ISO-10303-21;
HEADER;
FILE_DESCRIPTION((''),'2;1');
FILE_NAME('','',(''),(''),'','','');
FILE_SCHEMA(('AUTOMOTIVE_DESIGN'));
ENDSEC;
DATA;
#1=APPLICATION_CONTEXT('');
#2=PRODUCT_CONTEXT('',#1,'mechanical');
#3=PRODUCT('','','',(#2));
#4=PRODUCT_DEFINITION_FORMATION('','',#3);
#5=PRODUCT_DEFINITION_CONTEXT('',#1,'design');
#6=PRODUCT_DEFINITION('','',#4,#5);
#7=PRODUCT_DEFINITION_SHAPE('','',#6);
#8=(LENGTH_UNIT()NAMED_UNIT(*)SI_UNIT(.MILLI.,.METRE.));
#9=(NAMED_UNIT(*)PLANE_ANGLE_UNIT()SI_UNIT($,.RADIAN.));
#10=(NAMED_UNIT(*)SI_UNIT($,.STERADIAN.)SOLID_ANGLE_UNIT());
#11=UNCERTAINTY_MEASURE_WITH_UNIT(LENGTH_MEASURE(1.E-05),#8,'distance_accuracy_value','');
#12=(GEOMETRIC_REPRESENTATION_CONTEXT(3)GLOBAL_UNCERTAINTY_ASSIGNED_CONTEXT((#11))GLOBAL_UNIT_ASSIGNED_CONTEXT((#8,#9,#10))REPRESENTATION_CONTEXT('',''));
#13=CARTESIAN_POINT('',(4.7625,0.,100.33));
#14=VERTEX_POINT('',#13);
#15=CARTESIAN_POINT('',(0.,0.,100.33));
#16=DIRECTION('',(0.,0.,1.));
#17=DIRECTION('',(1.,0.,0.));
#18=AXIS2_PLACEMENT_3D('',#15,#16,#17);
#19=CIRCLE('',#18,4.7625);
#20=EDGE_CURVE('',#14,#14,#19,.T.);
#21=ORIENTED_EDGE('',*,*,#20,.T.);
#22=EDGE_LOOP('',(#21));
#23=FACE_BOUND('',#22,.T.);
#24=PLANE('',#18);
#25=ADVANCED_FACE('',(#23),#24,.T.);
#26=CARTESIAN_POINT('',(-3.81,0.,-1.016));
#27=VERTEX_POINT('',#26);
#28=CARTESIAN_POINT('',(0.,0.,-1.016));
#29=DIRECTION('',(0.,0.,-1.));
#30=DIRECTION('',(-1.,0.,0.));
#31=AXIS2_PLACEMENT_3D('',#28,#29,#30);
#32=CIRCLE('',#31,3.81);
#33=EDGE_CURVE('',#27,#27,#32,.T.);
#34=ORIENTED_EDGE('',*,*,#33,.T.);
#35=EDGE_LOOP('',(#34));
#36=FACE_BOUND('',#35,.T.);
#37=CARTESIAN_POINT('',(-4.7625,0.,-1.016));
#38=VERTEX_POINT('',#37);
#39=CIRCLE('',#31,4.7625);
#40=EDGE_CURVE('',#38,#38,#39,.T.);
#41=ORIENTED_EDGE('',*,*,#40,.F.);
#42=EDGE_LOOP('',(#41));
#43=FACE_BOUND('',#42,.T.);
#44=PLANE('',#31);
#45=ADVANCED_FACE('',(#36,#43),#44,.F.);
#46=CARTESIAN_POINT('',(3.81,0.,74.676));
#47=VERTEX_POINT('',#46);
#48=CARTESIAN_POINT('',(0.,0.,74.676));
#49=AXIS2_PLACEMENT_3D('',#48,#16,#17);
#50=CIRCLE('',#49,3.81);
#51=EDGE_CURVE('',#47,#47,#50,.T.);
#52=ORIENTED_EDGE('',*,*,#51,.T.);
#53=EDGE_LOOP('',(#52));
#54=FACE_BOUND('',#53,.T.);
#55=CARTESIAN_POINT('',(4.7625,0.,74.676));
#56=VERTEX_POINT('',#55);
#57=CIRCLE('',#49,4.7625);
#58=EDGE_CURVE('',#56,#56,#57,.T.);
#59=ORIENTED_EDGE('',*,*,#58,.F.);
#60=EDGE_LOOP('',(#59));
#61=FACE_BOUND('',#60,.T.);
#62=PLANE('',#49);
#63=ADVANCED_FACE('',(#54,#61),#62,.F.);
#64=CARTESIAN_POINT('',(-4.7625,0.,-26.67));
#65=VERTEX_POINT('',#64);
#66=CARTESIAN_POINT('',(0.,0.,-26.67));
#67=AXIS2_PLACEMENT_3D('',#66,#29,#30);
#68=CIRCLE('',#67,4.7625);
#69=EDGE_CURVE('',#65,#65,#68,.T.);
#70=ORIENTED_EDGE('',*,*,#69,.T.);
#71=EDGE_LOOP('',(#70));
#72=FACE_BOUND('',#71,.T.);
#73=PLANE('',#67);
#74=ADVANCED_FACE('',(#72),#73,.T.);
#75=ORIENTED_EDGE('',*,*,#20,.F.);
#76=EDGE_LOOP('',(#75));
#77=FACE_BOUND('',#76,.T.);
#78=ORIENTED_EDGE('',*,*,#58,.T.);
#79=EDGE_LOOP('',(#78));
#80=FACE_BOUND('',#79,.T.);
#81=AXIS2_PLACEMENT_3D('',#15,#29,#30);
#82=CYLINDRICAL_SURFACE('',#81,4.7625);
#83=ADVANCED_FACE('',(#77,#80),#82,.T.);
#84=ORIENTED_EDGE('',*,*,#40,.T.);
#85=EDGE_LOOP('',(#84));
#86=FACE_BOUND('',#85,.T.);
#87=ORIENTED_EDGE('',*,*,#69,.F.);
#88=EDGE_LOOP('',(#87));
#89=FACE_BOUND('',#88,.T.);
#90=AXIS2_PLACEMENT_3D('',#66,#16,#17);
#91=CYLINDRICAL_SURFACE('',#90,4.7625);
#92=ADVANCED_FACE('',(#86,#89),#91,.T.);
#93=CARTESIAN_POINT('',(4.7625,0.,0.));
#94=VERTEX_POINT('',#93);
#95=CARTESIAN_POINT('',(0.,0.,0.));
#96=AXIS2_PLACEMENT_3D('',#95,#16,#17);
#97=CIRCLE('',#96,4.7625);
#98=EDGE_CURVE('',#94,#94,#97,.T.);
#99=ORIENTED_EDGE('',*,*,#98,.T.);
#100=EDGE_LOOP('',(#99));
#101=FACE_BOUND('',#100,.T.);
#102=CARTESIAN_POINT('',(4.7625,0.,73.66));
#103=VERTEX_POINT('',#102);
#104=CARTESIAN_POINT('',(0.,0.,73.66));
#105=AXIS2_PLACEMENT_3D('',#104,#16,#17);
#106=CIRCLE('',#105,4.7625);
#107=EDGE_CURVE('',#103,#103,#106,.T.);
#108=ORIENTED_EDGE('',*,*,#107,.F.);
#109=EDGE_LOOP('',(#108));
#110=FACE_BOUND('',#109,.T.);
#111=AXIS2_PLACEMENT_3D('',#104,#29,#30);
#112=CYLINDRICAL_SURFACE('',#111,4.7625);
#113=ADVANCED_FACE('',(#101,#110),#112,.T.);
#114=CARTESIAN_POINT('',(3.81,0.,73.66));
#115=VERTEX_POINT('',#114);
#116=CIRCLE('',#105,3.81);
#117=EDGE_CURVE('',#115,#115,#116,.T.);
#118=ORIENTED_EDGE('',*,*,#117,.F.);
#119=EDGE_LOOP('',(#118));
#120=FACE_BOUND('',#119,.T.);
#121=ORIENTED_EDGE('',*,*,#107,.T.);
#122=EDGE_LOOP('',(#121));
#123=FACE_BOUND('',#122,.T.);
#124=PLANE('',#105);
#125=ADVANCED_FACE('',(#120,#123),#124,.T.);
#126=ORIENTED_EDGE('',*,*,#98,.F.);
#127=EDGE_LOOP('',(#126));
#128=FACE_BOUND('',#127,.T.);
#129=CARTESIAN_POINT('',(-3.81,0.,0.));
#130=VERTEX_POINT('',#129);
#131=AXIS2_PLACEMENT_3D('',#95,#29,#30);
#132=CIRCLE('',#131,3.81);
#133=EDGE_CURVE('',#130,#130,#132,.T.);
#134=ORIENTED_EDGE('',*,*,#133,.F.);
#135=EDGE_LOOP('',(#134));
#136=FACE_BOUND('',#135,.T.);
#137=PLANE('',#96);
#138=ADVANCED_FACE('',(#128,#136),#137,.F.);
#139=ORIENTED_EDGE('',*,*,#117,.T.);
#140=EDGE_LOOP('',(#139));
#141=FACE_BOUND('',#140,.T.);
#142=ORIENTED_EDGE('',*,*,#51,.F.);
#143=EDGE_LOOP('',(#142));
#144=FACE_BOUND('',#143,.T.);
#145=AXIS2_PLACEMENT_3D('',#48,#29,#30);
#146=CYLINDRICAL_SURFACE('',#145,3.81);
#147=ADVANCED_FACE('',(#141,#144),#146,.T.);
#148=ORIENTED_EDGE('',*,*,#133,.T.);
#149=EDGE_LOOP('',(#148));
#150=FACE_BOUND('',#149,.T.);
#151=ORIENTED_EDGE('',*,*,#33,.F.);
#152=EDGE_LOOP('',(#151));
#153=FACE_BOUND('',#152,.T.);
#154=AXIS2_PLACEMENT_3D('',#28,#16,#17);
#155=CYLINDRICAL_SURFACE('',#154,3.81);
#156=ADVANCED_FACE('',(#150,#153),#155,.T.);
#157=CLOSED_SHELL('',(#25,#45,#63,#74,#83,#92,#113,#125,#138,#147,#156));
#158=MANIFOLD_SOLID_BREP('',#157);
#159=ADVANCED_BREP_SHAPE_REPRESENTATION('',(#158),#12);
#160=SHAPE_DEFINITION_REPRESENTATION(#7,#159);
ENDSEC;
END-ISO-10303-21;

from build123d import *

# Parameters (mm, degrees)
SKETCH1_R           = 4.7625
BOSS_EXTRUDE1_DEPTH = 73.66
SKETCH2_R           = 3.81
BOSS_EXTRUDE2_DEPTH = 1.016
SKETCH3_R           = 4.7625
BOSS_EXTRUDE3_DEPTH = 25.654
SKETCH4_R           = 3.81
BOSS_EXTRUDE4_DEPTH = 1.016
SKETCH5_R           = 4.7625
BOSS_EXTRUDE5_DEPTH = 25.654


with BuildPart() as part:
    # Sketch1 → Boss-Extrude1 (new body)
    with BuildSketch(Plane.XY):
        Circle(SKETCH1_R)
    extrude(amount=BOSS_EXTRUDE1_DEPTH)

    # Sketch2 → Boss-Extrude2 (add)
    with BuildSketch(Plane(origin=(0, 0, 0), x_dir=(-1, 0, 0), z_dir=(0, 0, -1))):
        Circle(SKETCH2_R)
    extrude(amount=BOSS_EXTRUDE2_DEPTH)

    # Sketch3 → Boss-Extrude3 (add)
    with BuildSketch(Plane(origin=(0, 0, -1.016), x_dir=(-1, 0, 0), z_dir=(0, 0, -1))):
        Circle(SKETCH3_R)
    extrude(amount=BOSS_EXTRUDE3_DEPTH)

    # Sketch4 → Boss-Extrude4 (add)
    with BuildSketch(Plane.XY.offset(73.66)):
        Circle(SKETCH4_R)
    extrude(amount=BOSS_EXTRUDE4_DEPTH)

    # Sketch5 → Boss-Extrude5 (add)
    with BuildSketch(Plane.XY.offset(74.676)):
        Circle(SKETCH5_R)
    extrude(amount=BOSS_EXTRUDE5_DEPTH)


solid = part.part
